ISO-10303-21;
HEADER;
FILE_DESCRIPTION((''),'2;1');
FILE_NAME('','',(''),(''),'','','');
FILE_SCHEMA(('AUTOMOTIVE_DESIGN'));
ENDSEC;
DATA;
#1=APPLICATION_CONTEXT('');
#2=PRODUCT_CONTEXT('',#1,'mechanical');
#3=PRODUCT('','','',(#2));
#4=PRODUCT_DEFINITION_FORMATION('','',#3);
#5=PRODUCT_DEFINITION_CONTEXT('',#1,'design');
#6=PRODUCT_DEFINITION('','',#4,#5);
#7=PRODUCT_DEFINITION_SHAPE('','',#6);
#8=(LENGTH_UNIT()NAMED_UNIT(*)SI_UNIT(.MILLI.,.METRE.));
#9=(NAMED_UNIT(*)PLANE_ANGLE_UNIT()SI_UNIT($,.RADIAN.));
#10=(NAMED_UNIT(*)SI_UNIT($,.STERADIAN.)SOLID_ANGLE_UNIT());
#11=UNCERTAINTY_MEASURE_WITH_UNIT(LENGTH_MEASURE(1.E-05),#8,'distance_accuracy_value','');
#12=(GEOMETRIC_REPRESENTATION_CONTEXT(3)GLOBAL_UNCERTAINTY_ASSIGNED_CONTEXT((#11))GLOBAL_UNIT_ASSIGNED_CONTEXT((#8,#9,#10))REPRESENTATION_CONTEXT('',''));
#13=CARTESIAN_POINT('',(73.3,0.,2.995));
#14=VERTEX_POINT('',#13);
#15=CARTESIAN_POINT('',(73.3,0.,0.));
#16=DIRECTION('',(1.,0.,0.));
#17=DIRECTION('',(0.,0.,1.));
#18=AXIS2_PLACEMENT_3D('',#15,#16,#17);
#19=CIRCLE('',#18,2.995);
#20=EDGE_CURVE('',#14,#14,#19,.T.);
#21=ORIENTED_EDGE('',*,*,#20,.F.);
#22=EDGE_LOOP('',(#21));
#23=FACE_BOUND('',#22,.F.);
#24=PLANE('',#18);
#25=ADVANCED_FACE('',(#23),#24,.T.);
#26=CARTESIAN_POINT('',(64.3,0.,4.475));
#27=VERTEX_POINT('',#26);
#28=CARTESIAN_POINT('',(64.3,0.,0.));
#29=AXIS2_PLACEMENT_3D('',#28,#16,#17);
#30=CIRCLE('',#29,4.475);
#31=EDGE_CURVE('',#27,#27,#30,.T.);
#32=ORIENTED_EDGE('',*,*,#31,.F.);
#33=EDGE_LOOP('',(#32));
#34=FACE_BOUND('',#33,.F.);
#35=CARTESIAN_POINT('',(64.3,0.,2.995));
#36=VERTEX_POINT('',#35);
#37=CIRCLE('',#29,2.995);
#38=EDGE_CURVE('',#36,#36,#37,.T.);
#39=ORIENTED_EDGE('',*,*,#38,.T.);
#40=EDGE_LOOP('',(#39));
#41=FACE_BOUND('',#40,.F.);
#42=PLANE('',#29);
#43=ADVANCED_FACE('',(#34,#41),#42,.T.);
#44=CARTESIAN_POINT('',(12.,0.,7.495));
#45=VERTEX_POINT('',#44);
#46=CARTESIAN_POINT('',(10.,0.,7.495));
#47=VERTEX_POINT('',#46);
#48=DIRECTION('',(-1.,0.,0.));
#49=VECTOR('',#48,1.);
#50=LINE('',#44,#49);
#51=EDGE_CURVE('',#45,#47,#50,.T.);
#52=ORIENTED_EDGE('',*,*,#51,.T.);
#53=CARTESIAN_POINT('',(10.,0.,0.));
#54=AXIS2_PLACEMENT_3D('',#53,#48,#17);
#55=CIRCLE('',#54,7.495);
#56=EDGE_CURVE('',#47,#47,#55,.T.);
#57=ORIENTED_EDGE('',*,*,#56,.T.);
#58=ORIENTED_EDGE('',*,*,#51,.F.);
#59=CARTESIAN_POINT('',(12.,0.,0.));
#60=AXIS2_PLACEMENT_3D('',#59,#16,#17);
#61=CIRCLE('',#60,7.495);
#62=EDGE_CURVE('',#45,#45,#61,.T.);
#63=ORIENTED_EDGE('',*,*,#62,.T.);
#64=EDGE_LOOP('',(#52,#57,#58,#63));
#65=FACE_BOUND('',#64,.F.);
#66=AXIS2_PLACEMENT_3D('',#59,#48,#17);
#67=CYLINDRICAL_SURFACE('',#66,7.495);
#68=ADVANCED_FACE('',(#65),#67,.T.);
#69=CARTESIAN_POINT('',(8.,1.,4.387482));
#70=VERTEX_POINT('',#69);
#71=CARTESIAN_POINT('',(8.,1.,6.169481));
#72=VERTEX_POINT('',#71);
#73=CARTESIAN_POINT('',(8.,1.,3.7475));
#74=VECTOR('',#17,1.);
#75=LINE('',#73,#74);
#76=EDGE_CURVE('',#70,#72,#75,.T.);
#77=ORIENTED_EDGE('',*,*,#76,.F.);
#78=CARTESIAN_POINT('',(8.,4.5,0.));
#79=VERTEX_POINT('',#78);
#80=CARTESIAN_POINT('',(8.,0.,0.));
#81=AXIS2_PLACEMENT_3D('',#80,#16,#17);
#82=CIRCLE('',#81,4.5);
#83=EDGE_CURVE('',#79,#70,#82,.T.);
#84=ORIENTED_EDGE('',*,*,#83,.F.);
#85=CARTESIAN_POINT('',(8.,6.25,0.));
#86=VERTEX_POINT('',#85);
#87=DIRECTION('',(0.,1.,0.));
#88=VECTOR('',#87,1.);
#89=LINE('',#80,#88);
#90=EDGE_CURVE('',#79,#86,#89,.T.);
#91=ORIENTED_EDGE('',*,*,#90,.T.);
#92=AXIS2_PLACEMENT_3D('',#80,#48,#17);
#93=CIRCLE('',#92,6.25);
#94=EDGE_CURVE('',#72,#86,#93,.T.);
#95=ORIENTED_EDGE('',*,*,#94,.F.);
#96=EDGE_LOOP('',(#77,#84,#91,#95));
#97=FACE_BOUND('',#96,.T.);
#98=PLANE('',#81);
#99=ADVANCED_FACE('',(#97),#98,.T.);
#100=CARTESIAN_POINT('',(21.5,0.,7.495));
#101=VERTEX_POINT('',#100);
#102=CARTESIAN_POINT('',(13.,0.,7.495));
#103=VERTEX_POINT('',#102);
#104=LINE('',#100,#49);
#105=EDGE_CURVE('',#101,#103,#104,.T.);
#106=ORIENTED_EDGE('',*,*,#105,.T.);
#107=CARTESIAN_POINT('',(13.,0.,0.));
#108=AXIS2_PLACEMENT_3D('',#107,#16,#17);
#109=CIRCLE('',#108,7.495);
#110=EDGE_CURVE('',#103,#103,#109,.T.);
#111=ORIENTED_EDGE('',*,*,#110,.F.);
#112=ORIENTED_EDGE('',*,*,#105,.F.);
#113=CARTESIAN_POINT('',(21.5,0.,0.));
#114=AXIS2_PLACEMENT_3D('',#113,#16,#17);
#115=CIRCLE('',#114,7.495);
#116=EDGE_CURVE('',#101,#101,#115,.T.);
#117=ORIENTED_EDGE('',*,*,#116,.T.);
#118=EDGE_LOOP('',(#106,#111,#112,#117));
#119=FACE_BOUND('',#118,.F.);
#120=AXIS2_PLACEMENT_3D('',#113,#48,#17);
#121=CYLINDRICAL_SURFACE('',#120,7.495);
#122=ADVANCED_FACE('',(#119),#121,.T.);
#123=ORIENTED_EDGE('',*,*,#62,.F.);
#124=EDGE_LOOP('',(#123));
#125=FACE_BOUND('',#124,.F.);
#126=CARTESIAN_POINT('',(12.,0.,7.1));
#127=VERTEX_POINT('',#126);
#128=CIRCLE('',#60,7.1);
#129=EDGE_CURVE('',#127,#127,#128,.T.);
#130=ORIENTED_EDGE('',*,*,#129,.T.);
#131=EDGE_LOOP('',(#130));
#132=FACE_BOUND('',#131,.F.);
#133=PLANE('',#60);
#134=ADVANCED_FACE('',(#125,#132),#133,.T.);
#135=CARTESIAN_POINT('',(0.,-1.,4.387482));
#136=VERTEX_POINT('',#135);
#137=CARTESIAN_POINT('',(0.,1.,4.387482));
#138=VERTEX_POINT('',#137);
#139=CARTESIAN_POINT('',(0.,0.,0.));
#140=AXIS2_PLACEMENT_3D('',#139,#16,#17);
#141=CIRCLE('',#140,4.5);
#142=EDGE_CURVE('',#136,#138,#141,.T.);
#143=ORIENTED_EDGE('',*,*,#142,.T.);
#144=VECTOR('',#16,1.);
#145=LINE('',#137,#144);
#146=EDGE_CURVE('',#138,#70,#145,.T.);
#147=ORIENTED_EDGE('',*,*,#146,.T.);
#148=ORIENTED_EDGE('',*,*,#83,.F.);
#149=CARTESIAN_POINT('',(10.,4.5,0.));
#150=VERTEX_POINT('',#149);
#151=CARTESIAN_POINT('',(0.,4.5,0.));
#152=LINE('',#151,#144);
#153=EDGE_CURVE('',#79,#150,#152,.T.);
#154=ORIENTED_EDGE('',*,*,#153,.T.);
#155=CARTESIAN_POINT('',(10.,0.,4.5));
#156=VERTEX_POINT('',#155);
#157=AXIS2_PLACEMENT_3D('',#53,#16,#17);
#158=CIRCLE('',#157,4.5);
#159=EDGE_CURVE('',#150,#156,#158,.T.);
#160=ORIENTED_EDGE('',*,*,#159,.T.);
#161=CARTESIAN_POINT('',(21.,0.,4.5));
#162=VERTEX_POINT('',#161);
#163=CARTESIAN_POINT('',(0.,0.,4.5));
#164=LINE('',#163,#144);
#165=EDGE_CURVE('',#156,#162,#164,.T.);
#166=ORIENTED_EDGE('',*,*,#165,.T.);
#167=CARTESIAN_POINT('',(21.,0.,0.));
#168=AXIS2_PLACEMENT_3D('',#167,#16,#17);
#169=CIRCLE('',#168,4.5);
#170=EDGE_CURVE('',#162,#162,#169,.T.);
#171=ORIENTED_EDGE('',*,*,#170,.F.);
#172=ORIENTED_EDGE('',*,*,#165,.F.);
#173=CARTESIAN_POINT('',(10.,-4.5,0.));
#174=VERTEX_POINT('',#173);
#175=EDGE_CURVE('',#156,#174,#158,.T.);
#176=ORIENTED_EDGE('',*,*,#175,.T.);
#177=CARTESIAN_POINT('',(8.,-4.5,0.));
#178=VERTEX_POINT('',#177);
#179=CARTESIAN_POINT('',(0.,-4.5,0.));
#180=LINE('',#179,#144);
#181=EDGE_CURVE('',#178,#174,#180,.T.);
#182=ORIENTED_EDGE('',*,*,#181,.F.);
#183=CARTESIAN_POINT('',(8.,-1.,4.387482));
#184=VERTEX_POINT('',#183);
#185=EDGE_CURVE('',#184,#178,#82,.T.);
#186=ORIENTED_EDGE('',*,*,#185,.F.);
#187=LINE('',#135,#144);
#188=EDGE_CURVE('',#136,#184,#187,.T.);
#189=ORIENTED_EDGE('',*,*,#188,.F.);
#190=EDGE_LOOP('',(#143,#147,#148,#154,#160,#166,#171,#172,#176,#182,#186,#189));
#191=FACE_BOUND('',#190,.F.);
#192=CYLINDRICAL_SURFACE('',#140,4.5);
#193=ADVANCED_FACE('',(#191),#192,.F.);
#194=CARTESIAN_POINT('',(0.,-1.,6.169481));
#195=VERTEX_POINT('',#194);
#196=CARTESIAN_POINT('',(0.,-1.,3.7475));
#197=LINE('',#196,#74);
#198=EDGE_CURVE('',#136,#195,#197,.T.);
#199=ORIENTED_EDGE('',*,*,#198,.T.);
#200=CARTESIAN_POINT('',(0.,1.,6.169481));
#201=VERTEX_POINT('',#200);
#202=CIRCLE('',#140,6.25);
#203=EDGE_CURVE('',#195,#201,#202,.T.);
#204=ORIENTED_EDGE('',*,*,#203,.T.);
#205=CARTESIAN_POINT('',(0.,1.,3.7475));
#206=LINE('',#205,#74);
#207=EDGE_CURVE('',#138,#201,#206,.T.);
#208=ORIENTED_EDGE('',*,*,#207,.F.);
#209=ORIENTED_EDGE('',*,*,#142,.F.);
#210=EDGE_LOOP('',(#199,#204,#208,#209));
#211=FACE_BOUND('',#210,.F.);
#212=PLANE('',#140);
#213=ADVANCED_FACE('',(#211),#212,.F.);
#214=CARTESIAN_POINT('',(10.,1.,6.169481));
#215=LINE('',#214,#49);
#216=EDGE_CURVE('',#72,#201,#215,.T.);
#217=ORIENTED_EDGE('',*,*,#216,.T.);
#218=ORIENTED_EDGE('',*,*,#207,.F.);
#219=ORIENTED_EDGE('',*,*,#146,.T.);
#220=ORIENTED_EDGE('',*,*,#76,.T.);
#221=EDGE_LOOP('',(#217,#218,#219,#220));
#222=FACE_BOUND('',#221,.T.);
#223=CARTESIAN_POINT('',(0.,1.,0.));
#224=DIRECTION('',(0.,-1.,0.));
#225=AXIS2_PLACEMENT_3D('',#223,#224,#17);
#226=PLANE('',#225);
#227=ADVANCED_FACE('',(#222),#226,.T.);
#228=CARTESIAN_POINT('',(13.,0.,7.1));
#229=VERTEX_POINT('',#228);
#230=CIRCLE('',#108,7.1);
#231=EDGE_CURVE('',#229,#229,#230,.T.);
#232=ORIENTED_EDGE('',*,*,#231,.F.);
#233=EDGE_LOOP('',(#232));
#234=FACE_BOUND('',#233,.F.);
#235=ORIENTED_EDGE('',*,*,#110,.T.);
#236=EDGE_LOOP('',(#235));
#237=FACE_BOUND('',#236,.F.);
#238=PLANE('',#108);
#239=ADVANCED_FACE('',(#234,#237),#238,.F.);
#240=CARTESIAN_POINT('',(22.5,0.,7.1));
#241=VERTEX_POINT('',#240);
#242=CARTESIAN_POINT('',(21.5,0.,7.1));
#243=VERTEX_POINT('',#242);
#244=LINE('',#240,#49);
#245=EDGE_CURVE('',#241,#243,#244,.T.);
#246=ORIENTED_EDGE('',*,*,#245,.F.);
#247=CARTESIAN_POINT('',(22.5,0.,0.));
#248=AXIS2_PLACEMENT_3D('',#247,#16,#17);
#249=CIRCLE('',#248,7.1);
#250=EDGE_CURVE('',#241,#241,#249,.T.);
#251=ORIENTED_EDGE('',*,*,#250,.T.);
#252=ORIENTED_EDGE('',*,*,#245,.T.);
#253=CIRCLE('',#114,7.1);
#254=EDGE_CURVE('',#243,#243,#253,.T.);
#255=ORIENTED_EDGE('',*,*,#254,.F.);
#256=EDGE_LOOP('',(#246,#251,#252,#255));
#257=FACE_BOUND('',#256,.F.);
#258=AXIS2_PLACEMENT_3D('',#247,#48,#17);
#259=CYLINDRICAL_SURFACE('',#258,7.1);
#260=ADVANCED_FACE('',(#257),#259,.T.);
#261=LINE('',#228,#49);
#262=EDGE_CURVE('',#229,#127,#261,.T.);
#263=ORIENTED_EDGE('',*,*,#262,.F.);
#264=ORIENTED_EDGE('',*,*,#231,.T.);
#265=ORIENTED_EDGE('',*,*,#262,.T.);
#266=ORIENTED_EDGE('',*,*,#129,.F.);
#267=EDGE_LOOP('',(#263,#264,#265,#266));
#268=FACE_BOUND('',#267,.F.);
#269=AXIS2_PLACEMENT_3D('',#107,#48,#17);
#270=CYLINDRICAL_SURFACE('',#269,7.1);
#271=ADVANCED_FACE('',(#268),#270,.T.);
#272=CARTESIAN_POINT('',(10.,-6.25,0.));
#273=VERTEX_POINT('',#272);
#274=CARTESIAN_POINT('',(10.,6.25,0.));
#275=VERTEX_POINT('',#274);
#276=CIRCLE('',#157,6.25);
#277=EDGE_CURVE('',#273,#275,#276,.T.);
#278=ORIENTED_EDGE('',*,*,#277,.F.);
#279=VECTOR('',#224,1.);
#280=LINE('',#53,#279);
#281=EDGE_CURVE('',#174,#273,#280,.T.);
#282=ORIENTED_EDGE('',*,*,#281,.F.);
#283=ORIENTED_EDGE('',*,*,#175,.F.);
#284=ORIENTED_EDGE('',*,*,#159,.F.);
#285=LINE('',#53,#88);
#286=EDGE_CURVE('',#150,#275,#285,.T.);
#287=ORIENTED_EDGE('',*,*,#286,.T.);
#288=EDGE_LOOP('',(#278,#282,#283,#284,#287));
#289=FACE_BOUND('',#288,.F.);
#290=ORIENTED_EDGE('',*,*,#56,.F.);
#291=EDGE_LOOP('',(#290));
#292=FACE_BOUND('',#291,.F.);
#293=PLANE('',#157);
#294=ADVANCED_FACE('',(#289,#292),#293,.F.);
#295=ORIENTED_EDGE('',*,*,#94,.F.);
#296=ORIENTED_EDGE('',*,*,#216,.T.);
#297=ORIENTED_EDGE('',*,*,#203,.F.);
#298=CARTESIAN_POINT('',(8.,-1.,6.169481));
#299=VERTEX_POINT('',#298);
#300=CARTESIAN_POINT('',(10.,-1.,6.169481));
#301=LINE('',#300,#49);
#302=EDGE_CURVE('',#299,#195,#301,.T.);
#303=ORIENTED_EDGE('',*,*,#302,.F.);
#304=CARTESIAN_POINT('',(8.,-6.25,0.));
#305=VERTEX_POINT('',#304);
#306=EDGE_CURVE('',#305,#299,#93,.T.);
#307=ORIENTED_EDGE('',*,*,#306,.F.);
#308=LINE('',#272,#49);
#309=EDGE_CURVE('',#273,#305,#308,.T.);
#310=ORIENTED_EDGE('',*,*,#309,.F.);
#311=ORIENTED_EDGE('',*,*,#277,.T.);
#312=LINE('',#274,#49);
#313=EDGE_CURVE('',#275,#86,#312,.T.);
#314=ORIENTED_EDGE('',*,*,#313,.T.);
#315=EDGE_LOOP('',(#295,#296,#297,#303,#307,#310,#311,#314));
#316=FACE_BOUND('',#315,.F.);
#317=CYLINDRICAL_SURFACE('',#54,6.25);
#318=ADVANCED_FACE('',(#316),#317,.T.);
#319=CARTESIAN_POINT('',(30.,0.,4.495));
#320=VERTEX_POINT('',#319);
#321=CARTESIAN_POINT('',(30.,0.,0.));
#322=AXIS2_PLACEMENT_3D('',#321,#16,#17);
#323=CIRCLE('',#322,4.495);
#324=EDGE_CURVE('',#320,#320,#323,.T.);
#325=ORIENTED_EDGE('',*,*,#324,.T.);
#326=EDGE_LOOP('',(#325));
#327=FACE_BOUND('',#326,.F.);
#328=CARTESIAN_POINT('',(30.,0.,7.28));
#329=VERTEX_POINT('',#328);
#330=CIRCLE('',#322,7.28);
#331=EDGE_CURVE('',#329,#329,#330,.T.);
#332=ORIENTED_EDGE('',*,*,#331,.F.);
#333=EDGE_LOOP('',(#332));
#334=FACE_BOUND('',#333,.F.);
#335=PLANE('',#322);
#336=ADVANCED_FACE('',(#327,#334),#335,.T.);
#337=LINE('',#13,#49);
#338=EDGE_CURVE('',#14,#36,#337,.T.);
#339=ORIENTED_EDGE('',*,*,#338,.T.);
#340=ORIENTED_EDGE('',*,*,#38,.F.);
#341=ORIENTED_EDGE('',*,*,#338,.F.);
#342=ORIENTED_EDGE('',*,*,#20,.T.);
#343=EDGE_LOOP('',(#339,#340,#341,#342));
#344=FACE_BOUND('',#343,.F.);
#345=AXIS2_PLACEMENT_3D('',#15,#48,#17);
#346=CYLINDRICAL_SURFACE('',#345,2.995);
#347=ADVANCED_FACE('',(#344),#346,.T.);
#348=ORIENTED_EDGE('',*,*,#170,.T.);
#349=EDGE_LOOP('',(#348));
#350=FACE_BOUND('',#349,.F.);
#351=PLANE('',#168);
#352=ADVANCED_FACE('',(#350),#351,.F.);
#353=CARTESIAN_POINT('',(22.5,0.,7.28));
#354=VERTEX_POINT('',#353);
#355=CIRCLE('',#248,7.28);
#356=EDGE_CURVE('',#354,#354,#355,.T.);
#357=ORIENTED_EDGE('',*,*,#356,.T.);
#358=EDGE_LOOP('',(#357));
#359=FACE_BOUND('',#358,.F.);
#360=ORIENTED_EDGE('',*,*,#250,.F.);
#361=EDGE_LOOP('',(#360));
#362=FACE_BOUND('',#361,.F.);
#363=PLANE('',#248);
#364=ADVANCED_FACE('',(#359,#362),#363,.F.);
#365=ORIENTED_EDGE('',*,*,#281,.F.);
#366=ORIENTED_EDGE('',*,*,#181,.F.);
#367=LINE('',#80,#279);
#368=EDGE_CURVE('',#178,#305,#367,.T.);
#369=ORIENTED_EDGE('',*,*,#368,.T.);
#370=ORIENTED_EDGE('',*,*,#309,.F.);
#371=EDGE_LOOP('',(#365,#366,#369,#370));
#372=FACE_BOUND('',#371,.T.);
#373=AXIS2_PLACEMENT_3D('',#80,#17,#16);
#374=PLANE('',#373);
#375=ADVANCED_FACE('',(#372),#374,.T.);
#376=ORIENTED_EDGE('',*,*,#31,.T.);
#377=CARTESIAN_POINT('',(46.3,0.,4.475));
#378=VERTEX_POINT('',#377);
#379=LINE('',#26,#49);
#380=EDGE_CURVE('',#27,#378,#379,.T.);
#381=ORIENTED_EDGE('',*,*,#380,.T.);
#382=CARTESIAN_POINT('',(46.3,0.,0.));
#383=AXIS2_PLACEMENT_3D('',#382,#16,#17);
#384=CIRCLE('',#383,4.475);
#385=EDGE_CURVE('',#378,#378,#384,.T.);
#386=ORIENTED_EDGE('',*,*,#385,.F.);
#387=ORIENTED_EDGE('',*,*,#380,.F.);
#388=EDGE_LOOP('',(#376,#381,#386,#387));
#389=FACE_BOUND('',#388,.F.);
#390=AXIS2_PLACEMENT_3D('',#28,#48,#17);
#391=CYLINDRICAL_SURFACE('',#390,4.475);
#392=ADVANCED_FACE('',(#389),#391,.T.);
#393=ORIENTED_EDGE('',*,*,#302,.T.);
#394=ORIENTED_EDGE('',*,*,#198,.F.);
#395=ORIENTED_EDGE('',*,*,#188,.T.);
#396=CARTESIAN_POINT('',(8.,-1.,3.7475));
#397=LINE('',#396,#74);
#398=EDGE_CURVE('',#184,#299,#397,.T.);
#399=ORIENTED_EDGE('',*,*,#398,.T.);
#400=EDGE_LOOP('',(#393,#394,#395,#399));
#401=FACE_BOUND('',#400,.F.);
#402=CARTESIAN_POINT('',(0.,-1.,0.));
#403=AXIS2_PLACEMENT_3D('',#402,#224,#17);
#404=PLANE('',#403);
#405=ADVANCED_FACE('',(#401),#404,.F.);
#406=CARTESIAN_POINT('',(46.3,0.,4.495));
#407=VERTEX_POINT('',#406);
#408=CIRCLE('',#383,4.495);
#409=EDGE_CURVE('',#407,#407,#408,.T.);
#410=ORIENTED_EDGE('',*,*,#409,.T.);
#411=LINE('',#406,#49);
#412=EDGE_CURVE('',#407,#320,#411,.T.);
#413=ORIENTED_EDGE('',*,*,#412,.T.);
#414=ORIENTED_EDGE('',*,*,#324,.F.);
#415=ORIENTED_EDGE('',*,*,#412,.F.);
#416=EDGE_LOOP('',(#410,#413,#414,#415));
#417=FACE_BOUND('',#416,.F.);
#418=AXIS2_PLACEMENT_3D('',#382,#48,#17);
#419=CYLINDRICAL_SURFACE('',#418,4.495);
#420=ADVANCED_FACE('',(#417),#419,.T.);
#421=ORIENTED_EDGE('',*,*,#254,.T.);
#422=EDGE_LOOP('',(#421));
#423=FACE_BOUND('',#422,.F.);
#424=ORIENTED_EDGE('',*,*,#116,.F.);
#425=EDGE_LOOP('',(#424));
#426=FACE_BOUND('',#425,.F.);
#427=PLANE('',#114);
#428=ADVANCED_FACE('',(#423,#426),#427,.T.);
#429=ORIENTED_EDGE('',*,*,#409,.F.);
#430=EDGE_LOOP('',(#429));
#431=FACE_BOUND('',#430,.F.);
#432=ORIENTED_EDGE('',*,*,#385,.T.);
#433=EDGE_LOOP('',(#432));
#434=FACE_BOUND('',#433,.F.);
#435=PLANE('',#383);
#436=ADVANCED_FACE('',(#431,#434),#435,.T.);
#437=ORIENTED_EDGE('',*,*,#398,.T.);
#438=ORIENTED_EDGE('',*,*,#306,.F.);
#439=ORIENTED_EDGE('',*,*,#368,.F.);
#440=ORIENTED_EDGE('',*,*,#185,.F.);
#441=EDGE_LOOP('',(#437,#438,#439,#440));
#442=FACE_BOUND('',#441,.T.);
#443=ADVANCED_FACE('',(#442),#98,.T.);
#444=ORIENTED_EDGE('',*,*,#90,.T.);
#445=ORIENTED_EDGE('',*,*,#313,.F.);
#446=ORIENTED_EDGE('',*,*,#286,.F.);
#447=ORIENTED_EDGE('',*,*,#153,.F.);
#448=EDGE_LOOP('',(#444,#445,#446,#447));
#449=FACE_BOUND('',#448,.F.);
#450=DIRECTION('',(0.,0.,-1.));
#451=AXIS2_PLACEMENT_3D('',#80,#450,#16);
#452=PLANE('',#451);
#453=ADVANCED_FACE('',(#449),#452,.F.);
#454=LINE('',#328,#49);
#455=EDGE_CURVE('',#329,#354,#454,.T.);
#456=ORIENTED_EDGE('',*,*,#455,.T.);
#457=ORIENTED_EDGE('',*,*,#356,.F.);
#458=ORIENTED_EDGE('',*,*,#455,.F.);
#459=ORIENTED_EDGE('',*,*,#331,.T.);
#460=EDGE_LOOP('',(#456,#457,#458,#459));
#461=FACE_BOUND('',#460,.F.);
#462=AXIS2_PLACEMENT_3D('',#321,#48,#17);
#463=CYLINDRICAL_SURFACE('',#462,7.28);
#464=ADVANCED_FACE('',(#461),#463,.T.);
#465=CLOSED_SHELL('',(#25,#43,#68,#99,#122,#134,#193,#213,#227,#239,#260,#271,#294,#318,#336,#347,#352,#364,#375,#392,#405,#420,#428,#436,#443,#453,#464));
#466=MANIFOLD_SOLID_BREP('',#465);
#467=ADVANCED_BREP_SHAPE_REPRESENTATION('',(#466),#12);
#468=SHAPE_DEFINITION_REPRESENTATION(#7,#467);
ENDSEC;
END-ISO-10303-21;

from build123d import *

# Parameters (mm, degrees)
F2_W          = 2
F2_H          = 7.5
F3_DEPTH      = 7.496
F3_DEPTH_BACK = 7.496
F4_W          = 2
F4_H          = 7.495
F5_DEPTH      = 8


with BuildPart() as f1:
    # F0 (on Front) → F1 (revolve)
    with BuildSketch(Plane.XZ):
        Polygon((0, 6.25), (0, 4.5), (21, 4.5), (21, 0), (73.3, 0), (73.3, 2.995), (64.3, 2.995), (64.3, 4.475), (46.3, 4.475), (46.3, 4.495), (30, 4.495), (30, 7.28), (22.5, 7.28), (22.5, 7.1), (21.5, 7.1), (21.5, 7.495), (13, 7.495), (13, 7.1), (12, 7.1), (12, 7.495), (10, 7.495), (10, 6.25), align=None)
    revolve(axis=Axis((62.9070794401, 0, 0), (1, 0, 0)))

    # F2 (on Front) → F3 (cut, two sides)
    with BuildSketch(Plane.XZ) as f3_sk:
        with Locations((9, 3.75)):
            Rectangle(F2_W, F2_H)
    extrude(amount=-F3_DEPTH, mode=Mode.SUBTRACT)
    extrude(f3_sk.sketch, amount=F3_DEPTH_BACK, mode=Mode.SUBTRACT)

    # F4 (on face) → F5 (cut, through all)
    with BuildSketch(Plane(origin=(0, 0, 0), x_dir=(0, -1, 0), z_dir=(-1, 0, 0))):
        with Locations((0, 3.7475)):
            Rectangle(F4_W, F4_H)
    extrude(amount=-F5_DEPTH, mode=Mode.SUBTRACT)


solid = f1.part
